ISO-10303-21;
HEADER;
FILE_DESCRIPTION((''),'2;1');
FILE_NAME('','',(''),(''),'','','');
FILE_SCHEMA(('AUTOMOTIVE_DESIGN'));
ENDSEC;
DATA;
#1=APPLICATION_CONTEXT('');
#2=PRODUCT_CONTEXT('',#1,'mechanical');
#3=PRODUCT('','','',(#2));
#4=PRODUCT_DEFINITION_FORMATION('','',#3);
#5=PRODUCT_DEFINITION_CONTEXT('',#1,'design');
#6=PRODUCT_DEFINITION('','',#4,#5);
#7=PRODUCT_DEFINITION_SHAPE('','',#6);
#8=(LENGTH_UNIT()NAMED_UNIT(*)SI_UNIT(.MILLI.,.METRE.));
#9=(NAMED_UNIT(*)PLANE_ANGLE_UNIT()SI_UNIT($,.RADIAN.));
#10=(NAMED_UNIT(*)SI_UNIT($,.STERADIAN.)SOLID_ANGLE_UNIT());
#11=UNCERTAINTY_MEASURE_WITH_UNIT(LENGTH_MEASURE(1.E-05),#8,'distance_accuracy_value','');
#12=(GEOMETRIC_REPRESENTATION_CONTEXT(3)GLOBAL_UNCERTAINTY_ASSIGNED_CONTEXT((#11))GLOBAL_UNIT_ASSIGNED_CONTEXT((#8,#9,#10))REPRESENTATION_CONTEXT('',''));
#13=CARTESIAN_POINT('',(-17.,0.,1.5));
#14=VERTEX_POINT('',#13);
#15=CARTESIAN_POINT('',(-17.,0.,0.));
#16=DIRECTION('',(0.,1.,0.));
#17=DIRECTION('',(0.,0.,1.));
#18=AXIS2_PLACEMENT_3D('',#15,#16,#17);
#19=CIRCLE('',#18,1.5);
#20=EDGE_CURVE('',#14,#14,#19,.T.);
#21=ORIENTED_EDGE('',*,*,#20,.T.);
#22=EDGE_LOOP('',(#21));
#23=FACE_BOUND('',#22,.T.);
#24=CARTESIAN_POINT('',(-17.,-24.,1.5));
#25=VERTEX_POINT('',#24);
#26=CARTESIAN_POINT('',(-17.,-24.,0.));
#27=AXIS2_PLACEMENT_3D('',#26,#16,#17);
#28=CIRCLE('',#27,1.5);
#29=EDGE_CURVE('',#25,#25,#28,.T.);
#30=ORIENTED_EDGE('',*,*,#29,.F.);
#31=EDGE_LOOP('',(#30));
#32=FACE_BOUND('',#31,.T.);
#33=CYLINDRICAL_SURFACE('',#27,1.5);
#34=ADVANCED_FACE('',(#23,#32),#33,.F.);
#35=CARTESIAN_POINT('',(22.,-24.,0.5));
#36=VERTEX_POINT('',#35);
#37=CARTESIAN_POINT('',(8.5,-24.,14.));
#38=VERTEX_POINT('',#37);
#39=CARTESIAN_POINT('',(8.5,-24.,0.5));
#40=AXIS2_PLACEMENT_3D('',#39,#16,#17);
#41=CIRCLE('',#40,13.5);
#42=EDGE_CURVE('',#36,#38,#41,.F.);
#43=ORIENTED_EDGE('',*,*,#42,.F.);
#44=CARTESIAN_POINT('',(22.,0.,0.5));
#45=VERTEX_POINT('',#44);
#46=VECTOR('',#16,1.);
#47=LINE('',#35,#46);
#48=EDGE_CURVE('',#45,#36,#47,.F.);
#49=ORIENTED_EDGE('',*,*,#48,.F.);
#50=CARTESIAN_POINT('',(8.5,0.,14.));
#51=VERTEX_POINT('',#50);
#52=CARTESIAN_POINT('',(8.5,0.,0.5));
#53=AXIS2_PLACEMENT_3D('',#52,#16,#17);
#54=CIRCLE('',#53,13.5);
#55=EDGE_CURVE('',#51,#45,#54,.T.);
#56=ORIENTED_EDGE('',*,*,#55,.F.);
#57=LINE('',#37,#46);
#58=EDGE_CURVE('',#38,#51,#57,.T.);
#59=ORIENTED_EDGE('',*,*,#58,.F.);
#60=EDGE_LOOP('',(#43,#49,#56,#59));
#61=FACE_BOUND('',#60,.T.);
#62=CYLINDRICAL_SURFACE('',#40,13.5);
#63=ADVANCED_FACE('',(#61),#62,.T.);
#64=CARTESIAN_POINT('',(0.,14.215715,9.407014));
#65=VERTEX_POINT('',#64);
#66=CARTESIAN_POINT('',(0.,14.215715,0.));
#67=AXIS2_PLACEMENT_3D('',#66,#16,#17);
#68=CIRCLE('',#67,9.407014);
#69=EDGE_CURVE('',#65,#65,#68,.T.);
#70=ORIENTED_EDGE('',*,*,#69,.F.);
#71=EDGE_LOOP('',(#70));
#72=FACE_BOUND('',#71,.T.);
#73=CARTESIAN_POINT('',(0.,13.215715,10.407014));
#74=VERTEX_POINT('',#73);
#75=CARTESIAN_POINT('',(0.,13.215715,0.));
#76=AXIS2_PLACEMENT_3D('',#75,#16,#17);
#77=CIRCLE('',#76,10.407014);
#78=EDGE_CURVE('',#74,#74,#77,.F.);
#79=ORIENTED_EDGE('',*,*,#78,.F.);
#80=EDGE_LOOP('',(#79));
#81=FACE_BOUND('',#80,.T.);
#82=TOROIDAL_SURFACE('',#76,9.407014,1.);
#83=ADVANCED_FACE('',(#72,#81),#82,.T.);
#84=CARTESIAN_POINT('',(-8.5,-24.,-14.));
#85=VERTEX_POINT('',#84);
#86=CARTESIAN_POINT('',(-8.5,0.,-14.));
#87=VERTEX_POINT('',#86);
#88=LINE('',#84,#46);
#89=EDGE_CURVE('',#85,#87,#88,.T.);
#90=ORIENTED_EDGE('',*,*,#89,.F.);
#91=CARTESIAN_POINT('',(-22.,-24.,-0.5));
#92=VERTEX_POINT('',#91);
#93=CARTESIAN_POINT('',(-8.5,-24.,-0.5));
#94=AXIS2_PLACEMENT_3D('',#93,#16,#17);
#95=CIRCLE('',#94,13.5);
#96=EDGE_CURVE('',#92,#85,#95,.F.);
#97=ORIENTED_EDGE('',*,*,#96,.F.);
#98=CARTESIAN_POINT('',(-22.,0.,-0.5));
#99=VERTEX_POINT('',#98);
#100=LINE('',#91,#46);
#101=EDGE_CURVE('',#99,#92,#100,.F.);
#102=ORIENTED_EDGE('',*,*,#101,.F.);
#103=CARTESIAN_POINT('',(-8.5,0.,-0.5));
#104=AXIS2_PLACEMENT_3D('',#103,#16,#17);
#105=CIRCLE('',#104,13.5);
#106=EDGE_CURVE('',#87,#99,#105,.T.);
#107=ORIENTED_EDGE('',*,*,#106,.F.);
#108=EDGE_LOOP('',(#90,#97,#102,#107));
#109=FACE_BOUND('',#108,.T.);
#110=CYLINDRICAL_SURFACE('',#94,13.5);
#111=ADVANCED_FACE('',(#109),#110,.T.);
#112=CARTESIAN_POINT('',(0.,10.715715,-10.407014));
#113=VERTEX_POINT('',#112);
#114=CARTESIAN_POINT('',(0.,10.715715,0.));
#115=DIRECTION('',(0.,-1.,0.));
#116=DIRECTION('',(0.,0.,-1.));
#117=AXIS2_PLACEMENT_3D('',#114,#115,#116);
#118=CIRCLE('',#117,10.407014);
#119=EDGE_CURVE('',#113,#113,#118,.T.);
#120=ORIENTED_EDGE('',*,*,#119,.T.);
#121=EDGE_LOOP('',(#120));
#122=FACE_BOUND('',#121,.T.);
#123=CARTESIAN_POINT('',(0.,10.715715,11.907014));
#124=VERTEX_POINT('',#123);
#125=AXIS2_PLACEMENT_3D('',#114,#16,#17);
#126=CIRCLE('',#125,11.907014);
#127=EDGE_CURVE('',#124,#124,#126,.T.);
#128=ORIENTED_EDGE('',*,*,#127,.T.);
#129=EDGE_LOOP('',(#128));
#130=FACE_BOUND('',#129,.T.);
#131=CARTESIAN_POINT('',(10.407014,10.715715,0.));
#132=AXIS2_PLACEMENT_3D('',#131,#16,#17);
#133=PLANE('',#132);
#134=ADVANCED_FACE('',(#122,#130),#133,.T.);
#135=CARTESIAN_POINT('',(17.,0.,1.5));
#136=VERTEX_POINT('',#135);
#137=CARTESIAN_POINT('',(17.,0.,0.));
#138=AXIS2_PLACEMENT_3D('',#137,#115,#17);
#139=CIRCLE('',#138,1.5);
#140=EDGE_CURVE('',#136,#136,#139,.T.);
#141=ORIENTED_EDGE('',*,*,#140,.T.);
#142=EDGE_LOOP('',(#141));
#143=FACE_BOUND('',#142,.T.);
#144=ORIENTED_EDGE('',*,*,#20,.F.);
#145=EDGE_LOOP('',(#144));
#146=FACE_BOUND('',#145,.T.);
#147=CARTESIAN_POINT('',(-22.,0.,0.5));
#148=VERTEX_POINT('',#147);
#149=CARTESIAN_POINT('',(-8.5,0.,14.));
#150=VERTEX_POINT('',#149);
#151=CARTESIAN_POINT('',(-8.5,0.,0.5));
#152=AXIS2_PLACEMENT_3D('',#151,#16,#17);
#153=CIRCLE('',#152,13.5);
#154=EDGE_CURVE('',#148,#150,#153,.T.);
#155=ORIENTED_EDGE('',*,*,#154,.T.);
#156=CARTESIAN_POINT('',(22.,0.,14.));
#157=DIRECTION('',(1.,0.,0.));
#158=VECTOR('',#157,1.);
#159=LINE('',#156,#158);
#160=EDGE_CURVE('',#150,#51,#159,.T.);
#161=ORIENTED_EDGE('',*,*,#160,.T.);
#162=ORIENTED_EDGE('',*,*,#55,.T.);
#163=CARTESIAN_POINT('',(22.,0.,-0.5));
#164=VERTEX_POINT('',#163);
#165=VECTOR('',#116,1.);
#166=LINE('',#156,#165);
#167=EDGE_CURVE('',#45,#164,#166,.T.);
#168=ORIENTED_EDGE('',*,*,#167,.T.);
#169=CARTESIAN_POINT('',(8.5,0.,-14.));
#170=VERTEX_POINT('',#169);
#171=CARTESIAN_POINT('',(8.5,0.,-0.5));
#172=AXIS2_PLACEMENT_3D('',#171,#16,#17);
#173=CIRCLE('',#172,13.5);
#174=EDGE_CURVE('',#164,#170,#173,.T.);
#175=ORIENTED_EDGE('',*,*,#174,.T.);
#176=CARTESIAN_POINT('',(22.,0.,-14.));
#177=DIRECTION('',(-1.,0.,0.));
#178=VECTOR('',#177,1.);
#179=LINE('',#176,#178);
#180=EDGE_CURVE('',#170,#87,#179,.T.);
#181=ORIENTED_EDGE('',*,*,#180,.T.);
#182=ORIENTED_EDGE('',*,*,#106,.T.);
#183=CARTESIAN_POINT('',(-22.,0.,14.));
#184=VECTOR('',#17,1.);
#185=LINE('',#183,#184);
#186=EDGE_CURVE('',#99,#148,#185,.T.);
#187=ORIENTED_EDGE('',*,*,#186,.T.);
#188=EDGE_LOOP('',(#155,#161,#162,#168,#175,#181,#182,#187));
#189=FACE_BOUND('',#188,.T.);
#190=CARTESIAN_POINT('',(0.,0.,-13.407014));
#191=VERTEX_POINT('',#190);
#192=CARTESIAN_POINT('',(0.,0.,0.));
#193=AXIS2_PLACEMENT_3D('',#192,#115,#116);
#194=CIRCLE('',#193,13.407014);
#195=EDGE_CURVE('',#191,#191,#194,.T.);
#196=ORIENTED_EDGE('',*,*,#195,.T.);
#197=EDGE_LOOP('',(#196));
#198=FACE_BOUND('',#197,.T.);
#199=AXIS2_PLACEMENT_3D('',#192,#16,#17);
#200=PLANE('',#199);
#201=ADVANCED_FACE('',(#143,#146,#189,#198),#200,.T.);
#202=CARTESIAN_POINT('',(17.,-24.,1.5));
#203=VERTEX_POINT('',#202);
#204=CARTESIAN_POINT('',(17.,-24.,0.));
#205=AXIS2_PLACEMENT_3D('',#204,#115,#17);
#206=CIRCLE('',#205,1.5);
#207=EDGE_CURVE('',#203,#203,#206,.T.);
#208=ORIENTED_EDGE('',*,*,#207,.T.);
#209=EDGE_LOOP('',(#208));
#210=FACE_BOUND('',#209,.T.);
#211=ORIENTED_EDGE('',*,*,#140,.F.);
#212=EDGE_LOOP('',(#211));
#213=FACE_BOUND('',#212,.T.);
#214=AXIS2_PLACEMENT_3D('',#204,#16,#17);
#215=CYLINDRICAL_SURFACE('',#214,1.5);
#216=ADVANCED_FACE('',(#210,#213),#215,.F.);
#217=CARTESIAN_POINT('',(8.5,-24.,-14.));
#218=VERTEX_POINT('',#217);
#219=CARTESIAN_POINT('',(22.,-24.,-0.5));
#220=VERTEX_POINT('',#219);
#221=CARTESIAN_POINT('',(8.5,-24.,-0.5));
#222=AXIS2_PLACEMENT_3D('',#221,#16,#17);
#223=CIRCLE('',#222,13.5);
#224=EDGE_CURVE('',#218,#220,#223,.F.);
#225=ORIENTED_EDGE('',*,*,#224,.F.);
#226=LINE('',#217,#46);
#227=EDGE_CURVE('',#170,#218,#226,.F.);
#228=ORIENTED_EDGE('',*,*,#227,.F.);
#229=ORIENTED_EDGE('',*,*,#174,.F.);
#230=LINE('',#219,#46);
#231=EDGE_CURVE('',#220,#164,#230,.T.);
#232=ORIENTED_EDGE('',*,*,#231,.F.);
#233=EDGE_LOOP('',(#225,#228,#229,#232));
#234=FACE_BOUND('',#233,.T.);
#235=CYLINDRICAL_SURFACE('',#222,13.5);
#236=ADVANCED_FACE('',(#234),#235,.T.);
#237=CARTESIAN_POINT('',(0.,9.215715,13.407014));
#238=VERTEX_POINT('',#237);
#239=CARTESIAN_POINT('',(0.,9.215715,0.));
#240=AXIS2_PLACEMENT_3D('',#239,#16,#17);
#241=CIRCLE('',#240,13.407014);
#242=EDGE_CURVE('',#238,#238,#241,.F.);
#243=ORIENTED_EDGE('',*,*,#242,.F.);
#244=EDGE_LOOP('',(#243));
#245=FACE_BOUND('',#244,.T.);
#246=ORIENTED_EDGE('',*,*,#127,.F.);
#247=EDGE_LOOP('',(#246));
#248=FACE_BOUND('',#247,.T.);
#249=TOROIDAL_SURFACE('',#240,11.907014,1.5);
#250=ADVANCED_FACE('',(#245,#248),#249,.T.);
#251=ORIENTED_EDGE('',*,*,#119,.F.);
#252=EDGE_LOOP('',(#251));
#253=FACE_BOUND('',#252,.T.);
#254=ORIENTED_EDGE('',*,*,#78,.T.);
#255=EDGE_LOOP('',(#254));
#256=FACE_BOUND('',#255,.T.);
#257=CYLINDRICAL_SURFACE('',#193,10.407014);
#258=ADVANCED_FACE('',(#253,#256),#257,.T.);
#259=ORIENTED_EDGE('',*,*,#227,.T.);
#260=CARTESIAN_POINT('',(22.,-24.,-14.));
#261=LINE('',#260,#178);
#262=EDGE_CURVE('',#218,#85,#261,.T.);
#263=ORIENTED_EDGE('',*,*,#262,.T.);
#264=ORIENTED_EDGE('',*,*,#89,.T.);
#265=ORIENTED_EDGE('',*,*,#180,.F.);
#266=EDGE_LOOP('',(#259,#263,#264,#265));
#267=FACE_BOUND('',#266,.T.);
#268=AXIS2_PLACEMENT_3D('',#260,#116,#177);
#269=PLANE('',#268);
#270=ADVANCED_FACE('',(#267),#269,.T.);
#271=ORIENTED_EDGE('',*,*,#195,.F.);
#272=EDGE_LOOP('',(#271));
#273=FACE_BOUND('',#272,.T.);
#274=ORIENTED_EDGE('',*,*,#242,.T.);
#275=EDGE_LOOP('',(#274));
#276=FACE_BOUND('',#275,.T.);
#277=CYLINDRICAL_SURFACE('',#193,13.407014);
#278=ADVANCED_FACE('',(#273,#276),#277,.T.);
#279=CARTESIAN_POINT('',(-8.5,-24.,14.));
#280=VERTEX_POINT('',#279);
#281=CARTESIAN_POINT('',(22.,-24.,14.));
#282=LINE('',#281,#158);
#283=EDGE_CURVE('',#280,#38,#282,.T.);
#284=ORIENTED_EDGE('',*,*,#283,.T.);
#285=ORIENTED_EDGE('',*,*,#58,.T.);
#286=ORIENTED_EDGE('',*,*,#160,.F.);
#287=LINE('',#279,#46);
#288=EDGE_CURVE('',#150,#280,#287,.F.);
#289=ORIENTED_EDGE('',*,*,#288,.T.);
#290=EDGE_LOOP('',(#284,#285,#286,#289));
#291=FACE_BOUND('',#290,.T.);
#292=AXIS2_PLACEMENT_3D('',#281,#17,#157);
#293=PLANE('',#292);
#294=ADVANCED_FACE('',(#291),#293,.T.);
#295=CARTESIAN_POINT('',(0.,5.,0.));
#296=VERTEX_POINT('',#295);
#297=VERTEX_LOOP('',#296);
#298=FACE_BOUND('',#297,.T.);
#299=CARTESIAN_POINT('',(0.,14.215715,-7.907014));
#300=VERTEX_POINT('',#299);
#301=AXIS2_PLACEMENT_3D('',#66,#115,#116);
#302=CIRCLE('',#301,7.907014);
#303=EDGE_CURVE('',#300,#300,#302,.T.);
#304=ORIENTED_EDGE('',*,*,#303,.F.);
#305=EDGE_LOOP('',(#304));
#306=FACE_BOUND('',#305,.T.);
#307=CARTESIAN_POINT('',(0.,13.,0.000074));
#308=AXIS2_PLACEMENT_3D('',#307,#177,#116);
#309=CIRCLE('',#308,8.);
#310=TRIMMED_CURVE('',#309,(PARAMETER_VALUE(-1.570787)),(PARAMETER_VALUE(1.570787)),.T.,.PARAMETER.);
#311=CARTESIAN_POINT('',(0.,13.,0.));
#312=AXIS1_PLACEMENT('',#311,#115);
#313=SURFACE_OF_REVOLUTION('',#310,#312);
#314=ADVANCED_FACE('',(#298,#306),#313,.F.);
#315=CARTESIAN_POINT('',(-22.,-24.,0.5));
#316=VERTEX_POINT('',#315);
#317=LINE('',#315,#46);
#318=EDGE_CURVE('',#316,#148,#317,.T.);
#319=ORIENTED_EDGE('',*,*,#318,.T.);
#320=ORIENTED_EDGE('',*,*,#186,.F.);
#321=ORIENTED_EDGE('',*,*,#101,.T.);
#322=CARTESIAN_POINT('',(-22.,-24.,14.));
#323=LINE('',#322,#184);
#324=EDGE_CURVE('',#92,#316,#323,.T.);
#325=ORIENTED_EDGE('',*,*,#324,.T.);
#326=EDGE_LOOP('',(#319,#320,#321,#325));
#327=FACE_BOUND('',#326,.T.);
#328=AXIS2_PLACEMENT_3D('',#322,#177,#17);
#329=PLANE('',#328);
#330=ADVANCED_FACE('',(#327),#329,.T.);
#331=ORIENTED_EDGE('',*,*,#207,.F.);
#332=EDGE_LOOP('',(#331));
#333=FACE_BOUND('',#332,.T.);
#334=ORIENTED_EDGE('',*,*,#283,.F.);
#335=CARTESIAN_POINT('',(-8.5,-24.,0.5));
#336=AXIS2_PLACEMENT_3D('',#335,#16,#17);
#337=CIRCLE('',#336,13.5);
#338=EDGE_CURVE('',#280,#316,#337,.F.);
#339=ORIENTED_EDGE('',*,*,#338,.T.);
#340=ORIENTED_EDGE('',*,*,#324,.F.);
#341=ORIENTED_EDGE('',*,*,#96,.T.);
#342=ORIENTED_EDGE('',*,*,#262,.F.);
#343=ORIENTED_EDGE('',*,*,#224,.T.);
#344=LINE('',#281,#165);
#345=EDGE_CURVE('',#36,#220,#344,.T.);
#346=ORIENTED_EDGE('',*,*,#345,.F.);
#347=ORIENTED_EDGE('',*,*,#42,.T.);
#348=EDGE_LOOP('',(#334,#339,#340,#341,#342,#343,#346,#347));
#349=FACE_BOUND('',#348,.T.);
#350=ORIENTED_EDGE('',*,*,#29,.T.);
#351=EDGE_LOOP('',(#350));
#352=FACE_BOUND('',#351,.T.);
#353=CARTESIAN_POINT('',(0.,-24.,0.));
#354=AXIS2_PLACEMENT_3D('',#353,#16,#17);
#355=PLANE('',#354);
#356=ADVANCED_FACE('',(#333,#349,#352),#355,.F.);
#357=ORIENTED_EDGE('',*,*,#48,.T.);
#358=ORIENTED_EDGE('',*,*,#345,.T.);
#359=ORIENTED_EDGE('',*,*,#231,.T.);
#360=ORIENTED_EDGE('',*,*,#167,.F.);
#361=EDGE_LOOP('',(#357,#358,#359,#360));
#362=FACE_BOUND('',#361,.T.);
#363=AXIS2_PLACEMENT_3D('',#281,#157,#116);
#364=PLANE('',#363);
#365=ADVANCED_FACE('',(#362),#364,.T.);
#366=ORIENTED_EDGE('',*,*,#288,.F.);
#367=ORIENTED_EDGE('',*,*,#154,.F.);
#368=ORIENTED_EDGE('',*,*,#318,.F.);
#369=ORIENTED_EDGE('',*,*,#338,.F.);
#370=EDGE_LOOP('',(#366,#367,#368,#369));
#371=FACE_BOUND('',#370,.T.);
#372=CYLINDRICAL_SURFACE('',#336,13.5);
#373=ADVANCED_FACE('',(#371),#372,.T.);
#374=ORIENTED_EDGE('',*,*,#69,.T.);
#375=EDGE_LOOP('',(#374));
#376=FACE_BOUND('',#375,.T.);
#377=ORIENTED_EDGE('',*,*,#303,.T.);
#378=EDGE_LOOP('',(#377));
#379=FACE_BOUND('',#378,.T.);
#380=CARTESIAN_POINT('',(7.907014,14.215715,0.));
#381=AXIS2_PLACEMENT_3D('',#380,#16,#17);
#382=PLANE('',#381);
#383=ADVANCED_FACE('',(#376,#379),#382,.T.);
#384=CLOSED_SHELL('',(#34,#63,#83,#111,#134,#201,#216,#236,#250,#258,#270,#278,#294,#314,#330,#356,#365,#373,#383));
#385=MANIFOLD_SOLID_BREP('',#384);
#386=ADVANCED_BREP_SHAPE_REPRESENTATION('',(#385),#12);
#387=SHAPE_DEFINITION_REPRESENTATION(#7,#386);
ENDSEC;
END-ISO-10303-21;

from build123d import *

# Parameters (mm, degrees)
FILLET1_R           = 1
FILLET2_R           = 1.5
SKETCH5_W           = 44
SKETCH5_H           = 28
BOSS_EXTRUDE1_DEPTH = 24
FILLET3_R           = 13.5
SKETCH7_R           = 1.5
CUT_EXTRUDE1_DEPTH  = 25


with BuildPart() as part:
    # Sketch1 → Revolve2 (revolve)
    with BuildSketch(Plane.XY):
        with BuildLine():
            Line((0, 0), (0, 5))
            ThreePointArc((0, 5), (6.071429533, 7.79069576), (7.907014302, 14.215714666))
            Line((7.907014302, 14.215714666), (10.407014302, 14.215714666))
            Line((10.407014302, 14.215714666), (10.407014302, 10.715714666))
            Line((10.407014302, 10.715714666), (13.407014302, 10.715714666))
            Line((13.407014302, 10.715714666), (13.407014302, 0))
            Line((13.407014302, 0), (0, 0))
        make_face()
    revolve(axis=Axis((0, 0, 0), (0, 1, 0)))

    # Fillet1
    fillet1_edges = [part.edges().sort_by_distance(p)[0] for p in [
        (-10.407014302, 14.215714666, 0),
    ]]
    fillet(fillet1_edges, radius=FILLET1_R)

    # Fillet2
    fillet2_edges = [part.edges().sort_by_distance(p)[0] for p in [
        (-13.407014302, 10.715714666, 0),
    ]]
    fillet(fillet2_edges, radius=FILLET2_R)

    # Sketch5 → Boss-Extrude1 (add)
    with BuildSketch(Plane(origin=(0, 0, 0), x_dir=(1, 0, 0), z_dir=(0, 1, 0))):
        Rectangle(SKETCH5_W, SKETCH5_H)
    extrude(amount=-BOSS_EXTRUDE1_DEPTH)

    # Fillet3
    fillet3_edges = [part.edges().sort_by_distance(p)[0] for p in [
        (-22, -12, 14),
        (-22, -12, -14),
        (22, -12, -14),
        (22, -12, 14),
    ]]
    fillet(fillet3_edges, radius=FILLET3_R)

    # Sketch7 → Cut-Extrude1 (cut, through all)
    with BuildSketch(Plane(origin=(0, 0, 0), x_dir=(1, 0, 0), z_dir=(0, 1, 0))):
        with Locations((-17, 0)):
            Circle(SKETCH7_R)
    cut_extrude1 = extrude(amount=-CUT_EXTRUDE1_DEPTH, mode=Mode.SUBTRACT)

    # Mirror1: Cut-Extrude1 across plane
    add(cut_extrude1.mirror(Plane.ZY), mode=Mode.SUBTRACT)


solid = part.part
